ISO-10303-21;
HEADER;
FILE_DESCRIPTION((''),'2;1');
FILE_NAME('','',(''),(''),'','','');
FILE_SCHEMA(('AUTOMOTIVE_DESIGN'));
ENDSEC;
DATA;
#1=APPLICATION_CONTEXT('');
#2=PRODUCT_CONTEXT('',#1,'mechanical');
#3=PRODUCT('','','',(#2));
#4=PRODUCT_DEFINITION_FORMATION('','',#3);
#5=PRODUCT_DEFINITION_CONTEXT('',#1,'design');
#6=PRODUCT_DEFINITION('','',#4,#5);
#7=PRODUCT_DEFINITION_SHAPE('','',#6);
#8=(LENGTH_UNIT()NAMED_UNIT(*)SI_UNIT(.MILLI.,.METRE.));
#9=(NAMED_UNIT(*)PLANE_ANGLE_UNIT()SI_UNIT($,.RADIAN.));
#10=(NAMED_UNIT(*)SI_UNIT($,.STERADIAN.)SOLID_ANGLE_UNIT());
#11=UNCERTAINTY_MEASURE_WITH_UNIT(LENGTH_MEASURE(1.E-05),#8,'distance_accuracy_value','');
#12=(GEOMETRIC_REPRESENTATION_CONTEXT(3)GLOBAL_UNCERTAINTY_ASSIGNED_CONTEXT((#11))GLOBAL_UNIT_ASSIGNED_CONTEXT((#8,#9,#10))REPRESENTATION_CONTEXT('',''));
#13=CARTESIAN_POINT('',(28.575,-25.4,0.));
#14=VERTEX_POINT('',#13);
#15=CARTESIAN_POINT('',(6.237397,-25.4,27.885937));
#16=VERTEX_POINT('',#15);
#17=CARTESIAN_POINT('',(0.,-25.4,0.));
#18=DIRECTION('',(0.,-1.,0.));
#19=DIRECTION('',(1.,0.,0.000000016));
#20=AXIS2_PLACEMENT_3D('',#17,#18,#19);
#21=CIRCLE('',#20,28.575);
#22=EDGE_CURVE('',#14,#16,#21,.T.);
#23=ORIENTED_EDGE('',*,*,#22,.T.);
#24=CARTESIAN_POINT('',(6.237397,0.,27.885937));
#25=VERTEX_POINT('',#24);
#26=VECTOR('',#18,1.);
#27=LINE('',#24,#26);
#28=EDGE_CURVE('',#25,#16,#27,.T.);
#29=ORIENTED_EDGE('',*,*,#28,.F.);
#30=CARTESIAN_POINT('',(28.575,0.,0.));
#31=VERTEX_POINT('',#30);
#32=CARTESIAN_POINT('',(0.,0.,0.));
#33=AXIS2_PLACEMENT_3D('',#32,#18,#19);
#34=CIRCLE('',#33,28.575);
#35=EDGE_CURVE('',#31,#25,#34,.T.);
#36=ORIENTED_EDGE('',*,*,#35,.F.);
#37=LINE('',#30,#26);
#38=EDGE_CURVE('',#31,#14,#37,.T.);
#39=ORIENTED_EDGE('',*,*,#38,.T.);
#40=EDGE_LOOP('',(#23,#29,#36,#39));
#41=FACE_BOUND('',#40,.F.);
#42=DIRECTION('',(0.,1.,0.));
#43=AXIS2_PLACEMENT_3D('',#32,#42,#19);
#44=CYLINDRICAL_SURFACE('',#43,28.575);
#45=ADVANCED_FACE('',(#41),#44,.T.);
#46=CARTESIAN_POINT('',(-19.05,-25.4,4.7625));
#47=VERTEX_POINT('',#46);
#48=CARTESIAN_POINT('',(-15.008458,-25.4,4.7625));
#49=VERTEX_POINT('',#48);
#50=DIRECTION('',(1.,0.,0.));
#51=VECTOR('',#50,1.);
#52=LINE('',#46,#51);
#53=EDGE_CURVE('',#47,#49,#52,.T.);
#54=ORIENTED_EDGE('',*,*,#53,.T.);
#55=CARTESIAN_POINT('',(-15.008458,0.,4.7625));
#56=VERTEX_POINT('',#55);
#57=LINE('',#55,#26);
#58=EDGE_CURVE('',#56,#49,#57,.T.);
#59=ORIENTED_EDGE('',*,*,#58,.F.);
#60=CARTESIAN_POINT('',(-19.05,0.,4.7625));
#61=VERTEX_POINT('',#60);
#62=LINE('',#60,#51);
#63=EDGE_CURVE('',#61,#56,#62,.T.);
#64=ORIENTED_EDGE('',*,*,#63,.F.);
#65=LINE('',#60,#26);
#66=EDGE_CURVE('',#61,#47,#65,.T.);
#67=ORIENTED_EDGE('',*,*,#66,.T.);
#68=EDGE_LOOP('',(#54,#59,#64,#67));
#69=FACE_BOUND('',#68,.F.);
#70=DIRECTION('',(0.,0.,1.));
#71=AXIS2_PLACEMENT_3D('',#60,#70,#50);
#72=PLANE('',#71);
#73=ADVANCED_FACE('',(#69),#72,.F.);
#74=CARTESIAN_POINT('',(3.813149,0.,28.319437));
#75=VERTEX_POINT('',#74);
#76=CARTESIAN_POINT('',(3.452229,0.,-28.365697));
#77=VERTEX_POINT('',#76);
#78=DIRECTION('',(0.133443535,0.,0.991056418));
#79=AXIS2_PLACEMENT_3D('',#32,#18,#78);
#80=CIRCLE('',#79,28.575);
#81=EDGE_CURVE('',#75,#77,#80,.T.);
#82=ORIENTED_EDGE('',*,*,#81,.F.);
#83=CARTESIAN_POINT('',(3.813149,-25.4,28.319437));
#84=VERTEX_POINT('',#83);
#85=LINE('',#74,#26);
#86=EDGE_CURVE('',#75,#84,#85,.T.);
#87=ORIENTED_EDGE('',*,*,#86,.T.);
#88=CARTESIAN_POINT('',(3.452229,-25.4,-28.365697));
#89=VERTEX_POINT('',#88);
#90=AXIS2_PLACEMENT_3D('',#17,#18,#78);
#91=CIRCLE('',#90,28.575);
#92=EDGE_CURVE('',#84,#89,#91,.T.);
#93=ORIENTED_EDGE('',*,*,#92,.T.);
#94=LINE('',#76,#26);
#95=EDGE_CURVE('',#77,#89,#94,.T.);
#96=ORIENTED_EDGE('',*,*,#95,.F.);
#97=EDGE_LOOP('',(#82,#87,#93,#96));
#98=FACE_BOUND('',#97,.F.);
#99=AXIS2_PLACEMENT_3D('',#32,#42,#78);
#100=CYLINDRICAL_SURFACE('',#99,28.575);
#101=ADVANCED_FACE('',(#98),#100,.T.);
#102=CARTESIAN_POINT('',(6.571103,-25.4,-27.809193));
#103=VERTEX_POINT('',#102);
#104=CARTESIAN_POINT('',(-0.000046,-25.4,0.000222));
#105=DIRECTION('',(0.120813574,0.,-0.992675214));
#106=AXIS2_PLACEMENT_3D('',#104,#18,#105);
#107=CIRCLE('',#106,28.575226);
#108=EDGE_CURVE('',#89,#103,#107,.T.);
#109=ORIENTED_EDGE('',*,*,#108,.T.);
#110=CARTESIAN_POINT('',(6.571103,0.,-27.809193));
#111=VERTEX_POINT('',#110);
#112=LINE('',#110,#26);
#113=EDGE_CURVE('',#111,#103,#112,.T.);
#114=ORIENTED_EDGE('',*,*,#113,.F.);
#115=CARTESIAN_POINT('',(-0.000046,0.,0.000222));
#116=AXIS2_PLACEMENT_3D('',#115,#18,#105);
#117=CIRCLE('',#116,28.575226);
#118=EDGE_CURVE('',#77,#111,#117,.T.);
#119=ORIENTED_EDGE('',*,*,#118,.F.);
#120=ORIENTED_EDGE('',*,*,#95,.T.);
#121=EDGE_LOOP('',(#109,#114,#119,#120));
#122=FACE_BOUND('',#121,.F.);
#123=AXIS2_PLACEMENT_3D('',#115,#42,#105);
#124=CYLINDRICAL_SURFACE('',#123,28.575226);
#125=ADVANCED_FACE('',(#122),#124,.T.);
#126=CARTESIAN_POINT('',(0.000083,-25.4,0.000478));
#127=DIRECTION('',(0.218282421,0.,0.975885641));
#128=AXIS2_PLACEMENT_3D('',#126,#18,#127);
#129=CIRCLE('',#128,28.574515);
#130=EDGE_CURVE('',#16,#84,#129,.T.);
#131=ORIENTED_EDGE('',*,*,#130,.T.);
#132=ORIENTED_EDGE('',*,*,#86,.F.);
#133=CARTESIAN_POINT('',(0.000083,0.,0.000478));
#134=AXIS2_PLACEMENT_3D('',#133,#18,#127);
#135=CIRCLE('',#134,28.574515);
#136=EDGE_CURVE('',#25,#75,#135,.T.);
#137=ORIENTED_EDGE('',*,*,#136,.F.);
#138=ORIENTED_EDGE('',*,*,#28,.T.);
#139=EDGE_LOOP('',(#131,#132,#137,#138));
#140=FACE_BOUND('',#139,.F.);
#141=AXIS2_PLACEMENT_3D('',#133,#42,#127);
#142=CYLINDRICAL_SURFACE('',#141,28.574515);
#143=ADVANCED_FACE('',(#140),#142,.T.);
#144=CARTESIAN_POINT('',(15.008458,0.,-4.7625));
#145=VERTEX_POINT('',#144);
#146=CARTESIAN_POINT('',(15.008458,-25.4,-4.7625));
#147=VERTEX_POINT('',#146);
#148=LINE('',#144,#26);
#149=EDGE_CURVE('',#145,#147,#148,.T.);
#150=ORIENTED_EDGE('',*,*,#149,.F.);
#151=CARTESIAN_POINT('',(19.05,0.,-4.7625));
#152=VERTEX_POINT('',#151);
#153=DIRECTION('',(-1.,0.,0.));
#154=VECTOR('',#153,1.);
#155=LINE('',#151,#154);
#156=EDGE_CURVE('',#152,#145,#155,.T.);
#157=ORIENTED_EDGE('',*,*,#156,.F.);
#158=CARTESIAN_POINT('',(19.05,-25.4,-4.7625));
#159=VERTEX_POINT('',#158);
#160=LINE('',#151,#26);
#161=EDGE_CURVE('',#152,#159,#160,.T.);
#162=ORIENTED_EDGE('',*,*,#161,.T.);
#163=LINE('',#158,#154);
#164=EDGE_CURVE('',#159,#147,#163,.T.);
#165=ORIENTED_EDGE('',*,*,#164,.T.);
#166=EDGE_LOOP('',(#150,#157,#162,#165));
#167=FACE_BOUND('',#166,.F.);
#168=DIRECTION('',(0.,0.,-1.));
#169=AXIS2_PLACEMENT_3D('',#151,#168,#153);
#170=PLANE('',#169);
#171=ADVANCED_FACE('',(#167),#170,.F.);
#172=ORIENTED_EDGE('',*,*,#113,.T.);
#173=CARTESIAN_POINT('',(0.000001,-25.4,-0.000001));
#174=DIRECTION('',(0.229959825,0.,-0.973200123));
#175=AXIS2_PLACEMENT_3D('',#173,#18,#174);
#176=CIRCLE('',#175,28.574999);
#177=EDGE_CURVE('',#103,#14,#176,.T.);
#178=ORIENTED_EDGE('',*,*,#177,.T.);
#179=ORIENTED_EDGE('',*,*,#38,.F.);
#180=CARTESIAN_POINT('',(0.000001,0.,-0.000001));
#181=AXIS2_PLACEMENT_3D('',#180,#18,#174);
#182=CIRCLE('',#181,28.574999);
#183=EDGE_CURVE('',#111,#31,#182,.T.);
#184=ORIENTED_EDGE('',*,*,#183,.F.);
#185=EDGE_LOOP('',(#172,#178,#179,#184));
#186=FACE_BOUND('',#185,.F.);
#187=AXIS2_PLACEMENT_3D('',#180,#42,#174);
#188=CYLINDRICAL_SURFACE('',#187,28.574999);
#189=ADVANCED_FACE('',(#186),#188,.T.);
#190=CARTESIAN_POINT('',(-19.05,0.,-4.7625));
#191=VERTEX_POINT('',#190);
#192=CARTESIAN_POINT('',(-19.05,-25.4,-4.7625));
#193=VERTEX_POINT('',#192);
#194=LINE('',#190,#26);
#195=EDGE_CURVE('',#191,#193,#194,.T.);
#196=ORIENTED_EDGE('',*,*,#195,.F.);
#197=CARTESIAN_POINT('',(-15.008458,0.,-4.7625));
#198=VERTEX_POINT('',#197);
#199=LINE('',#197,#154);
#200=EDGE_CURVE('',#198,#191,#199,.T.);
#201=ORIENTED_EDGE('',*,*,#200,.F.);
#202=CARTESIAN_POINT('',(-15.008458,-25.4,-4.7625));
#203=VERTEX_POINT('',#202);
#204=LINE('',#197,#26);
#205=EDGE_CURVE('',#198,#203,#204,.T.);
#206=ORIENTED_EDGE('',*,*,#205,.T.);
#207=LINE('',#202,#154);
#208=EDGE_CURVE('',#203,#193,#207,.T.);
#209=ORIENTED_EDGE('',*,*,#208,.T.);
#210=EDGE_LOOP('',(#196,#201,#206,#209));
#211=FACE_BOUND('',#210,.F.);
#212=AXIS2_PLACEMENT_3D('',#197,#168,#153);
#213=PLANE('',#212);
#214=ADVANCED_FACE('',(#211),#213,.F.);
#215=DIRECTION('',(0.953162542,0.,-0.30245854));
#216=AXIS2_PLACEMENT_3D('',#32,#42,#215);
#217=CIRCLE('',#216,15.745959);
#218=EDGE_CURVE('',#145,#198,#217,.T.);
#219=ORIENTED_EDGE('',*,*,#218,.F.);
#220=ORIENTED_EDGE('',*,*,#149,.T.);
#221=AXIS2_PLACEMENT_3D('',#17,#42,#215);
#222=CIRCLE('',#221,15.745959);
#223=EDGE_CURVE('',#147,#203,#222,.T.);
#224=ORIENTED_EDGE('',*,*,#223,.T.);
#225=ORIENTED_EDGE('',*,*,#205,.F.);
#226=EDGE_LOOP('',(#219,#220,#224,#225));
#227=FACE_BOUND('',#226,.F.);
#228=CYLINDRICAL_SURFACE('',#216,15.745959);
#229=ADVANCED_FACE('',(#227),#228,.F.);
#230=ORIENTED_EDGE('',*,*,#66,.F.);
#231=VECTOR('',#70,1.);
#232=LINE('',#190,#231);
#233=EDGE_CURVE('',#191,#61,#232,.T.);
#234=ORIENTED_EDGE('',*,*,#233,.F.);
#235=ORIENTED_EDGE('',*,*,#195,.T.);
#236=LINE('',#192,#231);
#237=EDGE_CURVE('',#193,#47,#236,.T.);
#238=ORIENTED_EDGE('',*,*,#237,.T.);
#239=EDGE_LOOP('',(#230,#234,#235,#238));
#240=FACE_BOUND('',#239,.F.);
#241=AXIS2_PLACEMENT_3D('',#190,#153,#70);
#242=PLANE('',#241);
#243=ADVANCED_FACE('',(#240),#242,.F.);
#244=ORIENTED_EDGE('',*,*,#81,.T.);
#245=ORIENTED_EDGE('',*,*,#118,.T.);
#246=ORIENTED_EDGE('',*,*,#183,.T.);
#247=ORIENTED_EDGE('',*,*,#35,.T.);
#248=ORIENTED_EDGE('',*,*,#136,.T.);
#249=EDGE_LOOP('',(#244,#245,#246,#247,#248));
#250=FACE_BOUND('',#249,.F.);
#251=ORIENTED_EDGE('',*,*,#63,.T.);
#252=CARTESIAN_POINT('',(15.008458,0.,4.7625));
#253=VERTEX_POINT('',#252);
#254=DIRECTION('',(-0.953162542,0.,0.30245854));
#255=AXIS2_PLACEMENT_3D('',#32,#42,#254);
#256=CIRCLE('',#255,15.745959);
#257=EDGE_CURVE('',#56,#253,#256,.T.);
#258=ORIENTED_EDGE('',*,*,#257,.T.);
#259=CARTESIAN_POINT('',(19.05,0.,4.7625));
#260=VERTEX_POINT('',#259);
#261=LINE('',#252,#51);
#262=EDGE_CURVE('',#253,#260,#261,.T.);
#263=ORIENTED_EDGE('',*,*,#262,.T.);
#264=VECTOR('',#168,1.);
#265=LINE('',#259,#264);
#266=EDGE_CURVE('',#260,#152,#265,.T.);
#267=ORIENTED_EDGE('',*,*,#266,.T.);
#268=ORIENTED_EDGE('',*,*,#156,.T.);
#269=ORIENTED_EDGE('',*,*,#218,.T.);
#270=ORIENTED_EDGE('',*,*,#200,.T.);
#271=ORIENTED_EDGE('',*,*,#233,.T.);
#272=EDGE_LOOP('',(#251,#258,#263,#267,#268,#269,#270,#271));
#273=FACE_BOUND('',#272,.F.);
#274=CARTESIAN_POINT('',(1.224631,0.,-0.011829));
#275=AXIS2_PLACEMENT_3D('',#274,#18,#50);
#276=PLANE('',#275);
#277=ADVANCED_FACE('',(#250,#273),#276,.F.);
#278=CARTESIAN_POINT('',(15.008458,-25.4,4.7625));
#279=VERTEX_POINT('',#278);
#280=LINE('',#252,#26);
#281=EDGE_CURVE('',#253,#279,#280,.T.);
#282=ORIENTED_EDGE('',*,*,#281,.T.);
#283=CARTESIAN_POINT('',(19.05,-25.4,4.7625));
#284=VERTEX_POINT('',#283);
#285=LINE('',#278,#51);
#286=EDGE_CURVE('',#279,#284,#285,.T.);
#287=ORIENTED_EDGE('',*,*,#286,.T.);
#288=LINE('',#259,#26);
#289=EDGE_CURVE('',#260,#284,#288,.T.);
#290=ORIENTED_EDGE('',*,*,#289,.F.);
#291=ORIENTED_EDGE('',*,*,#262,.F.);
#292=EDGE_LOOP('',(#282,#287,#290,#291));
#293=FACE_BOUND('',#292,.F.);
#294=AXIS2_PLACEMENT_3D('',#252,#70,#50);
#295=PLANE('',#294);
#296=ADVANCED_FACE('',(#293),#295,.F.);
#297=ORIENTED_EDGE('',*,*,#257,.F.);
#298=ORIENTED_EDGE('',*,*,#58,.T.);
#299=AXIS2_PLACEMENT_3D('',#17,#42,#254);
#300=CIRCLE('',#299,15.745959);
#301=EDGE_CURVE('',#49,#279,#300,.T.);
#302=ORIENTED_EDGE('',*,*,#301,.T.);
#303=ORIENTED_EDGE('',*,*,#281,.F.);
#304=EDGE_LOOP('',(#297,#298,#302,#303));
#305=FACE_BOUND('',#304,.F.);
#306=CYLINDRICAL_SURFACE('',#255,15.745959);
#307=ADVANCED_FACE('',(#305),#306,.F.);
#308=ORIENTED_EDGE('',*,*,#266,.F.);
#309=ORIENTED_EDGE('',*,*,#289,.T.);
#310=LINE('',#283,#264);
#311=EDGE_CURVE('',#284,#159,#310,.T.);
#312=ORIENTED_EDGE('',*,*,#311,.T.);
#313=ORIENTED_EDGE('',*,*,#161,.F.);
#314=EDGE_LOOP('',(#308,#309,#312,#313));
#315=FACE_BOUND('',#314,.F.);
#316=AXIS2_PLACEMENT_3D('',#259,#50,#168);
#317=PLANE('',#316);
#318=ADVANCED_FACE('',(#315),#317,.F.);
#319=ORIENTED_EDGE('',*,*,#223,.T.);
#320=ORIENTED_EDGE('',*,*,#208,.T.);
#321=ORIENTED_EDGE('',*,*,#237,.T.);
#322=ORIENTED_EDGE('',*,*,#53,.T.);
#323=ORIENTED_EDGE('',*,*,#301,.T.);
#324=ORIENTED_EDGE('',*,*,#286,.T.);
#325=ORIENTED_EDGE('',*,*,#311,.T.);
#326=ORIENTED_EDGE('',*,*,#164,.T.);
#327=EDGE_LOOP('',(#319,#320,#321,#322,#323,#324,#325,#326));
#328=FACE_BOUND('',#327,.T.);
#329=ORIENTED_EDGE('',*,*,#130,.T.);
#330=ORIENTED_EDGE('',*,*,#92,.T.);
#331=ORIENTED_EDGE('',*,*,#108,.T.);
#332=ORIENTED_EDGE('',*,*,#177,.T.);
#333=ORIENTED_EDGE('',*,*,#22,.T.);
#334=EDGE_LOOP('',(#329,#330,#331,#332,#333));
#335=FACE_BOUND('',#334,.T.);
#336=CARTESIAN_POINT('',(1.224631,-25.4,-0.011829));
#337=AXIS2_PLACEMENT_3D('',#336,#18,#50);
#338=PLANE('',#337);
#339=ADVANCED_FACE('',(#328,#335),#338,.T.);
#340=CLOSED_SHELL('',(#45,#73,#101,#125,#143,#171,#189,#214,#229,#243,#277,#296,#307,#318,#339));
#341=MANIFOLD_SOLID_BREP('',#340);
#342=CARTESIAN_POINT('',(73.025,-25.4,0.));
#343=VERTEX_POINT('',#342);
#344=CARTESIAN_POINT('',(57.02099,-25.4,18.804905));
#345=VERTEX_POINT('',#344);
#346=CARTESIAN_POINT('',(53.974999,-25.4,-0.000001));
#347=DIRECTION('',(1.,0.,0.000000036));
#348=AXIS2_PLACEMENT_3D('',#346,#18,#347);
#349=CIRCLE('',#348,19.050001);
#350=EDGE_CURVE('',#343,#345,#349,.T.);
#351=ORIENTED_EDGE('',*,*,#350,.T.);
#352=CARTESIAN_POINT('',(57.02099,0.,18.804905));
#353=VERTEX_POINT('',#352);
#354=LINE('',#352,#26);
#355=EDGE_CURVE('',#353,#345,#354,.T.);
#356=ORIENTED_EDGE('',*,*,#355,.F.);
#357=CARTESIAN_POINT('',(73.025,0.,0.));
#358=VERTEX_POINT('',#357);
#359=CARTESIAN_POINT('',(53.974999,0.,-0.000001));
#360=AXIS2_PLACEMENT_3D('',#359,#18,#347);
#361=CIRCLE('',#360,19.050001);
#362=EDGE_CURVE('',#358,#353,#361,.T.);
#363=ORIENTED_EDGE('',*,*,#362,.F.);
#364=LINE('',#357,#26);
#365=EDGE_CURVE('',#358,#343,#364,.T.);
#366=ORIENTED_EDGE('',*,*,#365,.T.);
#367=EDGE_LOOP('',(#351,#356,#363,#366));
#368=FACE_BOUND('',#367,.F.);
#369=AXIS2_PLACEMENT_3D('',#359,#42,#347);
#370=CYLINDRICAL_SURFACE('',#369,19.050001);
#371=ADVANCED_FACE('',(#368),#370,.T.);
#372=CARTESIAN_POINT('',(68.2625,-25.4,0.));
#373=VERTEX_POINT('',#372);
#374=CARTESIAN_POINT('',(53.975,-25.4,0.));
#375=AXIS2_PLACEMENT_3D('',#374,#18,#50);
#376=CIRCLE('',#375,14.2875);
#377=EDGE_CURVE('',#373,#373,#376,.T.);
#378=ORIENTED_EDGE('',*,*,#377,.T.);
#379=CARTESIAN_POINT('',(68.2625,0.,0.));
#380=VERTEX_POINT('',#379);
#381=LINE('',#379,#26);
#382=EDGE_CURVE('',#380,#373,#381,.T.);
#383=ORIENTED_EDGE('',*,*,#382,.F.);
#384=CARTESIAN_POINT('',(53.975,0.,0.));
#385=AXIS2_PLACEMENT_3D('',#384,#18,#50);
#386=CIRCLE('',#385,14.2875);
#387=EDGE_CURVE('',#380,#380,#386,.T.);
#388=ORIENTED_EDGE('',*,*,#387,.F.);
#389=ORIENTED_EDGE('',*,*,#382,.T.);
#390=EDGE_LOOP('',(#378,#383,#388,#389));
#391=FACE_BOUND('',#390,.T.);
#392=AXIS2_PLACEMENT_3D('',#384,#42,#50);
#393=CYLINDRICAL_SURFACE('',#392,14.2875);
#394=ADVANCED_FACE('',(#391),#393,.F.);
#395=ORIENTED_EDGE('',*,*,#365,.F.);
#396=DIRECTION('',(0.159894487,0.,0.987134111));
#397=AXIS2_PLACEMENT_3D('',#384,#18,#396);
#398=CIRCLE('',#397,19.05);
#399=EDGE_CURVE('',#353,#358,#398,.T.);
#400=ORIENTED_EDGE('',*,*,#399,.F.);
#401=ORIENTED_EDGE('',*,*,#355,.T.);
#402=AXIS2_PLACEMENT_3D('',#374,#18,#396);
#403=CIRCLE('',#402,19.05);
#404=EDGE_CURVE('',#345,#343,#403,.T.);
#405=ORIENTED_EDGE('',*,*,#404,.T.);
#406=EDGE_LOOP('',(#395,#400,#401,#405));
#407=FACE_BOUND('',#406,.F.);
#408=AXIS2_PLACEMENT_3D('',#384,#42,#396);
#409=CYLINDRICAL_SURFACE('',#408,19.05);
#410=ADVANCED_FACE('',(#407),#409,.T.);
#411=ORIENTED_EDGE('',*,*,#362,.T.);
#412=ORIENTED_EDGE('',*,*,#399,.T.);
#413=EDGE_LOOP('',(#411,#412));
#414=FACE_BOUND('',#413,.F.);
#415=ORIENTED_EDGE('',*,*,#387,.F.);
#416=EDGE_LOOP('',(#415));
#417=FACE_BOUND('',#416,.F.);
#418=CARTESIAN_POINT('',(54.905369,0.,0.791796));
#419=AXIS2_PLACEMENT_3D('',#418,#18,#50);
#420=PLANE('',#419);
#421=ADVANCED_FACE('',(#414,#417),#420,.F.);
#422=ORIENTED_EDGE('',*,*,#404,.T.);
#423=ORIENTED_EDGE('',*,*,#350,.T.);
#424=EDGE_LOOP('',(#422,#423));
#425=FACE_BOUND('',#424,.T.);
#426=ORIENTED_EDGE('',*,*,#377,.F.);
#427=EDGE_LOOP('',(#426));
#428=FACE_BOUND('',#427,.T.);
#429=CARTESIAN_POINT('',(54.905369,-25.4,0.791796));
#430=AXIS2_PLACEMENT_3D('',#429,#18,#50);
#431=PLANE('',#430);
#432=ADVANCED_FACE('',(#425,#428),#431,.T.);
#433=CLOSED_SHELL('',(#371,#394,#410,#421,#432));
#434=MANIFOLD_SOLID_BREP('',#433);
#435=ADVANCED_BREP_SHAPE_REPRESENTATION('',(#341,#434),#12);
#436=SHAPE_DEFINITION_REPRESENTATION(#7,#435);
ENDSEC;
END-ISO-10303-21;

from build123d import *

# Parameters (mm, degrees)
F0_R     = 14.2875
F1_DEPTH = 25.4


with BuildPart() as f1:
    # F0 (on Front) → F1 (new body)
    with BuildSketch(Plane.XZ):
        with BuildLine():
            Line((6.237397, 27.885937), (3.813149, 28.319437))
            ThreePointArc((3.813149, 28.319437), (-28.574421, 0.181936), (3.452229, -28.365697))
            Line((3.452229, -28.365697), (6.571103, -27.809193))
            ThreePointArc((6.571103, -27.809193), (22.408703, -17.730783), (28.575, 0))
            ThreePointArc((28.575, 0), (22.302065, 17.864728), (6.237397, 27.885937))
        make_face()
        with BuildLine():
            ThreePointArc((-15.008458, 4.7625), (0, 15.745959), (15.008458, 4.7625))
            Line((15.008458, 4.7625), (19.05, 4.7625))
            Line((19.05, 4.7625), (19.05, -4.7625))
            Line((19.05, -4.7625), (15.008458, -4.7625))
            ThreePointArc((15.008458, -4.7625), (0, -15.745959), (-15.008458, -4.7625))
            Line((-15.008458, -4.7625), (-19.05, -4.7625))
            Line((-19.05, -4.7625), (-19.05, 4.7625))
            Line((-19.05, 4.7625), (-15.008458, 4.7625))
        make_face(mode=Mode.SUBTRACT)
        with BuildLine():
            ThreePointArc((73.025, 0), (68.482388, 12.346586), (57.02099, 18.804905))
            ThreePointArc((57.02099, 18.804905), (39.467612, -12.346586), (73.025, 0))
        make_face()
        with Locations((53.975, 0)):
            Circle(F0_R, mode=Mode.SUBTRACT)
        with BuildLine():
            ThreePointArc((6.237397, 27.885937), (5.029945, 28.128816), (3.813149, 28.319437))
            Line((3.813149, 28.319437), (6.237397, 27.885937))
        make_face()
        with BuildLine():
            Line((6.571103, -27.809193), (3.452229, -28.365697))
            ThreePointArc((3.452229, -28.365697), (5.019384, -28.130702), (6.571103, -27.809193))
        make_face()
    extrude(amount=F1_DEPTH)


solid = f1.part
